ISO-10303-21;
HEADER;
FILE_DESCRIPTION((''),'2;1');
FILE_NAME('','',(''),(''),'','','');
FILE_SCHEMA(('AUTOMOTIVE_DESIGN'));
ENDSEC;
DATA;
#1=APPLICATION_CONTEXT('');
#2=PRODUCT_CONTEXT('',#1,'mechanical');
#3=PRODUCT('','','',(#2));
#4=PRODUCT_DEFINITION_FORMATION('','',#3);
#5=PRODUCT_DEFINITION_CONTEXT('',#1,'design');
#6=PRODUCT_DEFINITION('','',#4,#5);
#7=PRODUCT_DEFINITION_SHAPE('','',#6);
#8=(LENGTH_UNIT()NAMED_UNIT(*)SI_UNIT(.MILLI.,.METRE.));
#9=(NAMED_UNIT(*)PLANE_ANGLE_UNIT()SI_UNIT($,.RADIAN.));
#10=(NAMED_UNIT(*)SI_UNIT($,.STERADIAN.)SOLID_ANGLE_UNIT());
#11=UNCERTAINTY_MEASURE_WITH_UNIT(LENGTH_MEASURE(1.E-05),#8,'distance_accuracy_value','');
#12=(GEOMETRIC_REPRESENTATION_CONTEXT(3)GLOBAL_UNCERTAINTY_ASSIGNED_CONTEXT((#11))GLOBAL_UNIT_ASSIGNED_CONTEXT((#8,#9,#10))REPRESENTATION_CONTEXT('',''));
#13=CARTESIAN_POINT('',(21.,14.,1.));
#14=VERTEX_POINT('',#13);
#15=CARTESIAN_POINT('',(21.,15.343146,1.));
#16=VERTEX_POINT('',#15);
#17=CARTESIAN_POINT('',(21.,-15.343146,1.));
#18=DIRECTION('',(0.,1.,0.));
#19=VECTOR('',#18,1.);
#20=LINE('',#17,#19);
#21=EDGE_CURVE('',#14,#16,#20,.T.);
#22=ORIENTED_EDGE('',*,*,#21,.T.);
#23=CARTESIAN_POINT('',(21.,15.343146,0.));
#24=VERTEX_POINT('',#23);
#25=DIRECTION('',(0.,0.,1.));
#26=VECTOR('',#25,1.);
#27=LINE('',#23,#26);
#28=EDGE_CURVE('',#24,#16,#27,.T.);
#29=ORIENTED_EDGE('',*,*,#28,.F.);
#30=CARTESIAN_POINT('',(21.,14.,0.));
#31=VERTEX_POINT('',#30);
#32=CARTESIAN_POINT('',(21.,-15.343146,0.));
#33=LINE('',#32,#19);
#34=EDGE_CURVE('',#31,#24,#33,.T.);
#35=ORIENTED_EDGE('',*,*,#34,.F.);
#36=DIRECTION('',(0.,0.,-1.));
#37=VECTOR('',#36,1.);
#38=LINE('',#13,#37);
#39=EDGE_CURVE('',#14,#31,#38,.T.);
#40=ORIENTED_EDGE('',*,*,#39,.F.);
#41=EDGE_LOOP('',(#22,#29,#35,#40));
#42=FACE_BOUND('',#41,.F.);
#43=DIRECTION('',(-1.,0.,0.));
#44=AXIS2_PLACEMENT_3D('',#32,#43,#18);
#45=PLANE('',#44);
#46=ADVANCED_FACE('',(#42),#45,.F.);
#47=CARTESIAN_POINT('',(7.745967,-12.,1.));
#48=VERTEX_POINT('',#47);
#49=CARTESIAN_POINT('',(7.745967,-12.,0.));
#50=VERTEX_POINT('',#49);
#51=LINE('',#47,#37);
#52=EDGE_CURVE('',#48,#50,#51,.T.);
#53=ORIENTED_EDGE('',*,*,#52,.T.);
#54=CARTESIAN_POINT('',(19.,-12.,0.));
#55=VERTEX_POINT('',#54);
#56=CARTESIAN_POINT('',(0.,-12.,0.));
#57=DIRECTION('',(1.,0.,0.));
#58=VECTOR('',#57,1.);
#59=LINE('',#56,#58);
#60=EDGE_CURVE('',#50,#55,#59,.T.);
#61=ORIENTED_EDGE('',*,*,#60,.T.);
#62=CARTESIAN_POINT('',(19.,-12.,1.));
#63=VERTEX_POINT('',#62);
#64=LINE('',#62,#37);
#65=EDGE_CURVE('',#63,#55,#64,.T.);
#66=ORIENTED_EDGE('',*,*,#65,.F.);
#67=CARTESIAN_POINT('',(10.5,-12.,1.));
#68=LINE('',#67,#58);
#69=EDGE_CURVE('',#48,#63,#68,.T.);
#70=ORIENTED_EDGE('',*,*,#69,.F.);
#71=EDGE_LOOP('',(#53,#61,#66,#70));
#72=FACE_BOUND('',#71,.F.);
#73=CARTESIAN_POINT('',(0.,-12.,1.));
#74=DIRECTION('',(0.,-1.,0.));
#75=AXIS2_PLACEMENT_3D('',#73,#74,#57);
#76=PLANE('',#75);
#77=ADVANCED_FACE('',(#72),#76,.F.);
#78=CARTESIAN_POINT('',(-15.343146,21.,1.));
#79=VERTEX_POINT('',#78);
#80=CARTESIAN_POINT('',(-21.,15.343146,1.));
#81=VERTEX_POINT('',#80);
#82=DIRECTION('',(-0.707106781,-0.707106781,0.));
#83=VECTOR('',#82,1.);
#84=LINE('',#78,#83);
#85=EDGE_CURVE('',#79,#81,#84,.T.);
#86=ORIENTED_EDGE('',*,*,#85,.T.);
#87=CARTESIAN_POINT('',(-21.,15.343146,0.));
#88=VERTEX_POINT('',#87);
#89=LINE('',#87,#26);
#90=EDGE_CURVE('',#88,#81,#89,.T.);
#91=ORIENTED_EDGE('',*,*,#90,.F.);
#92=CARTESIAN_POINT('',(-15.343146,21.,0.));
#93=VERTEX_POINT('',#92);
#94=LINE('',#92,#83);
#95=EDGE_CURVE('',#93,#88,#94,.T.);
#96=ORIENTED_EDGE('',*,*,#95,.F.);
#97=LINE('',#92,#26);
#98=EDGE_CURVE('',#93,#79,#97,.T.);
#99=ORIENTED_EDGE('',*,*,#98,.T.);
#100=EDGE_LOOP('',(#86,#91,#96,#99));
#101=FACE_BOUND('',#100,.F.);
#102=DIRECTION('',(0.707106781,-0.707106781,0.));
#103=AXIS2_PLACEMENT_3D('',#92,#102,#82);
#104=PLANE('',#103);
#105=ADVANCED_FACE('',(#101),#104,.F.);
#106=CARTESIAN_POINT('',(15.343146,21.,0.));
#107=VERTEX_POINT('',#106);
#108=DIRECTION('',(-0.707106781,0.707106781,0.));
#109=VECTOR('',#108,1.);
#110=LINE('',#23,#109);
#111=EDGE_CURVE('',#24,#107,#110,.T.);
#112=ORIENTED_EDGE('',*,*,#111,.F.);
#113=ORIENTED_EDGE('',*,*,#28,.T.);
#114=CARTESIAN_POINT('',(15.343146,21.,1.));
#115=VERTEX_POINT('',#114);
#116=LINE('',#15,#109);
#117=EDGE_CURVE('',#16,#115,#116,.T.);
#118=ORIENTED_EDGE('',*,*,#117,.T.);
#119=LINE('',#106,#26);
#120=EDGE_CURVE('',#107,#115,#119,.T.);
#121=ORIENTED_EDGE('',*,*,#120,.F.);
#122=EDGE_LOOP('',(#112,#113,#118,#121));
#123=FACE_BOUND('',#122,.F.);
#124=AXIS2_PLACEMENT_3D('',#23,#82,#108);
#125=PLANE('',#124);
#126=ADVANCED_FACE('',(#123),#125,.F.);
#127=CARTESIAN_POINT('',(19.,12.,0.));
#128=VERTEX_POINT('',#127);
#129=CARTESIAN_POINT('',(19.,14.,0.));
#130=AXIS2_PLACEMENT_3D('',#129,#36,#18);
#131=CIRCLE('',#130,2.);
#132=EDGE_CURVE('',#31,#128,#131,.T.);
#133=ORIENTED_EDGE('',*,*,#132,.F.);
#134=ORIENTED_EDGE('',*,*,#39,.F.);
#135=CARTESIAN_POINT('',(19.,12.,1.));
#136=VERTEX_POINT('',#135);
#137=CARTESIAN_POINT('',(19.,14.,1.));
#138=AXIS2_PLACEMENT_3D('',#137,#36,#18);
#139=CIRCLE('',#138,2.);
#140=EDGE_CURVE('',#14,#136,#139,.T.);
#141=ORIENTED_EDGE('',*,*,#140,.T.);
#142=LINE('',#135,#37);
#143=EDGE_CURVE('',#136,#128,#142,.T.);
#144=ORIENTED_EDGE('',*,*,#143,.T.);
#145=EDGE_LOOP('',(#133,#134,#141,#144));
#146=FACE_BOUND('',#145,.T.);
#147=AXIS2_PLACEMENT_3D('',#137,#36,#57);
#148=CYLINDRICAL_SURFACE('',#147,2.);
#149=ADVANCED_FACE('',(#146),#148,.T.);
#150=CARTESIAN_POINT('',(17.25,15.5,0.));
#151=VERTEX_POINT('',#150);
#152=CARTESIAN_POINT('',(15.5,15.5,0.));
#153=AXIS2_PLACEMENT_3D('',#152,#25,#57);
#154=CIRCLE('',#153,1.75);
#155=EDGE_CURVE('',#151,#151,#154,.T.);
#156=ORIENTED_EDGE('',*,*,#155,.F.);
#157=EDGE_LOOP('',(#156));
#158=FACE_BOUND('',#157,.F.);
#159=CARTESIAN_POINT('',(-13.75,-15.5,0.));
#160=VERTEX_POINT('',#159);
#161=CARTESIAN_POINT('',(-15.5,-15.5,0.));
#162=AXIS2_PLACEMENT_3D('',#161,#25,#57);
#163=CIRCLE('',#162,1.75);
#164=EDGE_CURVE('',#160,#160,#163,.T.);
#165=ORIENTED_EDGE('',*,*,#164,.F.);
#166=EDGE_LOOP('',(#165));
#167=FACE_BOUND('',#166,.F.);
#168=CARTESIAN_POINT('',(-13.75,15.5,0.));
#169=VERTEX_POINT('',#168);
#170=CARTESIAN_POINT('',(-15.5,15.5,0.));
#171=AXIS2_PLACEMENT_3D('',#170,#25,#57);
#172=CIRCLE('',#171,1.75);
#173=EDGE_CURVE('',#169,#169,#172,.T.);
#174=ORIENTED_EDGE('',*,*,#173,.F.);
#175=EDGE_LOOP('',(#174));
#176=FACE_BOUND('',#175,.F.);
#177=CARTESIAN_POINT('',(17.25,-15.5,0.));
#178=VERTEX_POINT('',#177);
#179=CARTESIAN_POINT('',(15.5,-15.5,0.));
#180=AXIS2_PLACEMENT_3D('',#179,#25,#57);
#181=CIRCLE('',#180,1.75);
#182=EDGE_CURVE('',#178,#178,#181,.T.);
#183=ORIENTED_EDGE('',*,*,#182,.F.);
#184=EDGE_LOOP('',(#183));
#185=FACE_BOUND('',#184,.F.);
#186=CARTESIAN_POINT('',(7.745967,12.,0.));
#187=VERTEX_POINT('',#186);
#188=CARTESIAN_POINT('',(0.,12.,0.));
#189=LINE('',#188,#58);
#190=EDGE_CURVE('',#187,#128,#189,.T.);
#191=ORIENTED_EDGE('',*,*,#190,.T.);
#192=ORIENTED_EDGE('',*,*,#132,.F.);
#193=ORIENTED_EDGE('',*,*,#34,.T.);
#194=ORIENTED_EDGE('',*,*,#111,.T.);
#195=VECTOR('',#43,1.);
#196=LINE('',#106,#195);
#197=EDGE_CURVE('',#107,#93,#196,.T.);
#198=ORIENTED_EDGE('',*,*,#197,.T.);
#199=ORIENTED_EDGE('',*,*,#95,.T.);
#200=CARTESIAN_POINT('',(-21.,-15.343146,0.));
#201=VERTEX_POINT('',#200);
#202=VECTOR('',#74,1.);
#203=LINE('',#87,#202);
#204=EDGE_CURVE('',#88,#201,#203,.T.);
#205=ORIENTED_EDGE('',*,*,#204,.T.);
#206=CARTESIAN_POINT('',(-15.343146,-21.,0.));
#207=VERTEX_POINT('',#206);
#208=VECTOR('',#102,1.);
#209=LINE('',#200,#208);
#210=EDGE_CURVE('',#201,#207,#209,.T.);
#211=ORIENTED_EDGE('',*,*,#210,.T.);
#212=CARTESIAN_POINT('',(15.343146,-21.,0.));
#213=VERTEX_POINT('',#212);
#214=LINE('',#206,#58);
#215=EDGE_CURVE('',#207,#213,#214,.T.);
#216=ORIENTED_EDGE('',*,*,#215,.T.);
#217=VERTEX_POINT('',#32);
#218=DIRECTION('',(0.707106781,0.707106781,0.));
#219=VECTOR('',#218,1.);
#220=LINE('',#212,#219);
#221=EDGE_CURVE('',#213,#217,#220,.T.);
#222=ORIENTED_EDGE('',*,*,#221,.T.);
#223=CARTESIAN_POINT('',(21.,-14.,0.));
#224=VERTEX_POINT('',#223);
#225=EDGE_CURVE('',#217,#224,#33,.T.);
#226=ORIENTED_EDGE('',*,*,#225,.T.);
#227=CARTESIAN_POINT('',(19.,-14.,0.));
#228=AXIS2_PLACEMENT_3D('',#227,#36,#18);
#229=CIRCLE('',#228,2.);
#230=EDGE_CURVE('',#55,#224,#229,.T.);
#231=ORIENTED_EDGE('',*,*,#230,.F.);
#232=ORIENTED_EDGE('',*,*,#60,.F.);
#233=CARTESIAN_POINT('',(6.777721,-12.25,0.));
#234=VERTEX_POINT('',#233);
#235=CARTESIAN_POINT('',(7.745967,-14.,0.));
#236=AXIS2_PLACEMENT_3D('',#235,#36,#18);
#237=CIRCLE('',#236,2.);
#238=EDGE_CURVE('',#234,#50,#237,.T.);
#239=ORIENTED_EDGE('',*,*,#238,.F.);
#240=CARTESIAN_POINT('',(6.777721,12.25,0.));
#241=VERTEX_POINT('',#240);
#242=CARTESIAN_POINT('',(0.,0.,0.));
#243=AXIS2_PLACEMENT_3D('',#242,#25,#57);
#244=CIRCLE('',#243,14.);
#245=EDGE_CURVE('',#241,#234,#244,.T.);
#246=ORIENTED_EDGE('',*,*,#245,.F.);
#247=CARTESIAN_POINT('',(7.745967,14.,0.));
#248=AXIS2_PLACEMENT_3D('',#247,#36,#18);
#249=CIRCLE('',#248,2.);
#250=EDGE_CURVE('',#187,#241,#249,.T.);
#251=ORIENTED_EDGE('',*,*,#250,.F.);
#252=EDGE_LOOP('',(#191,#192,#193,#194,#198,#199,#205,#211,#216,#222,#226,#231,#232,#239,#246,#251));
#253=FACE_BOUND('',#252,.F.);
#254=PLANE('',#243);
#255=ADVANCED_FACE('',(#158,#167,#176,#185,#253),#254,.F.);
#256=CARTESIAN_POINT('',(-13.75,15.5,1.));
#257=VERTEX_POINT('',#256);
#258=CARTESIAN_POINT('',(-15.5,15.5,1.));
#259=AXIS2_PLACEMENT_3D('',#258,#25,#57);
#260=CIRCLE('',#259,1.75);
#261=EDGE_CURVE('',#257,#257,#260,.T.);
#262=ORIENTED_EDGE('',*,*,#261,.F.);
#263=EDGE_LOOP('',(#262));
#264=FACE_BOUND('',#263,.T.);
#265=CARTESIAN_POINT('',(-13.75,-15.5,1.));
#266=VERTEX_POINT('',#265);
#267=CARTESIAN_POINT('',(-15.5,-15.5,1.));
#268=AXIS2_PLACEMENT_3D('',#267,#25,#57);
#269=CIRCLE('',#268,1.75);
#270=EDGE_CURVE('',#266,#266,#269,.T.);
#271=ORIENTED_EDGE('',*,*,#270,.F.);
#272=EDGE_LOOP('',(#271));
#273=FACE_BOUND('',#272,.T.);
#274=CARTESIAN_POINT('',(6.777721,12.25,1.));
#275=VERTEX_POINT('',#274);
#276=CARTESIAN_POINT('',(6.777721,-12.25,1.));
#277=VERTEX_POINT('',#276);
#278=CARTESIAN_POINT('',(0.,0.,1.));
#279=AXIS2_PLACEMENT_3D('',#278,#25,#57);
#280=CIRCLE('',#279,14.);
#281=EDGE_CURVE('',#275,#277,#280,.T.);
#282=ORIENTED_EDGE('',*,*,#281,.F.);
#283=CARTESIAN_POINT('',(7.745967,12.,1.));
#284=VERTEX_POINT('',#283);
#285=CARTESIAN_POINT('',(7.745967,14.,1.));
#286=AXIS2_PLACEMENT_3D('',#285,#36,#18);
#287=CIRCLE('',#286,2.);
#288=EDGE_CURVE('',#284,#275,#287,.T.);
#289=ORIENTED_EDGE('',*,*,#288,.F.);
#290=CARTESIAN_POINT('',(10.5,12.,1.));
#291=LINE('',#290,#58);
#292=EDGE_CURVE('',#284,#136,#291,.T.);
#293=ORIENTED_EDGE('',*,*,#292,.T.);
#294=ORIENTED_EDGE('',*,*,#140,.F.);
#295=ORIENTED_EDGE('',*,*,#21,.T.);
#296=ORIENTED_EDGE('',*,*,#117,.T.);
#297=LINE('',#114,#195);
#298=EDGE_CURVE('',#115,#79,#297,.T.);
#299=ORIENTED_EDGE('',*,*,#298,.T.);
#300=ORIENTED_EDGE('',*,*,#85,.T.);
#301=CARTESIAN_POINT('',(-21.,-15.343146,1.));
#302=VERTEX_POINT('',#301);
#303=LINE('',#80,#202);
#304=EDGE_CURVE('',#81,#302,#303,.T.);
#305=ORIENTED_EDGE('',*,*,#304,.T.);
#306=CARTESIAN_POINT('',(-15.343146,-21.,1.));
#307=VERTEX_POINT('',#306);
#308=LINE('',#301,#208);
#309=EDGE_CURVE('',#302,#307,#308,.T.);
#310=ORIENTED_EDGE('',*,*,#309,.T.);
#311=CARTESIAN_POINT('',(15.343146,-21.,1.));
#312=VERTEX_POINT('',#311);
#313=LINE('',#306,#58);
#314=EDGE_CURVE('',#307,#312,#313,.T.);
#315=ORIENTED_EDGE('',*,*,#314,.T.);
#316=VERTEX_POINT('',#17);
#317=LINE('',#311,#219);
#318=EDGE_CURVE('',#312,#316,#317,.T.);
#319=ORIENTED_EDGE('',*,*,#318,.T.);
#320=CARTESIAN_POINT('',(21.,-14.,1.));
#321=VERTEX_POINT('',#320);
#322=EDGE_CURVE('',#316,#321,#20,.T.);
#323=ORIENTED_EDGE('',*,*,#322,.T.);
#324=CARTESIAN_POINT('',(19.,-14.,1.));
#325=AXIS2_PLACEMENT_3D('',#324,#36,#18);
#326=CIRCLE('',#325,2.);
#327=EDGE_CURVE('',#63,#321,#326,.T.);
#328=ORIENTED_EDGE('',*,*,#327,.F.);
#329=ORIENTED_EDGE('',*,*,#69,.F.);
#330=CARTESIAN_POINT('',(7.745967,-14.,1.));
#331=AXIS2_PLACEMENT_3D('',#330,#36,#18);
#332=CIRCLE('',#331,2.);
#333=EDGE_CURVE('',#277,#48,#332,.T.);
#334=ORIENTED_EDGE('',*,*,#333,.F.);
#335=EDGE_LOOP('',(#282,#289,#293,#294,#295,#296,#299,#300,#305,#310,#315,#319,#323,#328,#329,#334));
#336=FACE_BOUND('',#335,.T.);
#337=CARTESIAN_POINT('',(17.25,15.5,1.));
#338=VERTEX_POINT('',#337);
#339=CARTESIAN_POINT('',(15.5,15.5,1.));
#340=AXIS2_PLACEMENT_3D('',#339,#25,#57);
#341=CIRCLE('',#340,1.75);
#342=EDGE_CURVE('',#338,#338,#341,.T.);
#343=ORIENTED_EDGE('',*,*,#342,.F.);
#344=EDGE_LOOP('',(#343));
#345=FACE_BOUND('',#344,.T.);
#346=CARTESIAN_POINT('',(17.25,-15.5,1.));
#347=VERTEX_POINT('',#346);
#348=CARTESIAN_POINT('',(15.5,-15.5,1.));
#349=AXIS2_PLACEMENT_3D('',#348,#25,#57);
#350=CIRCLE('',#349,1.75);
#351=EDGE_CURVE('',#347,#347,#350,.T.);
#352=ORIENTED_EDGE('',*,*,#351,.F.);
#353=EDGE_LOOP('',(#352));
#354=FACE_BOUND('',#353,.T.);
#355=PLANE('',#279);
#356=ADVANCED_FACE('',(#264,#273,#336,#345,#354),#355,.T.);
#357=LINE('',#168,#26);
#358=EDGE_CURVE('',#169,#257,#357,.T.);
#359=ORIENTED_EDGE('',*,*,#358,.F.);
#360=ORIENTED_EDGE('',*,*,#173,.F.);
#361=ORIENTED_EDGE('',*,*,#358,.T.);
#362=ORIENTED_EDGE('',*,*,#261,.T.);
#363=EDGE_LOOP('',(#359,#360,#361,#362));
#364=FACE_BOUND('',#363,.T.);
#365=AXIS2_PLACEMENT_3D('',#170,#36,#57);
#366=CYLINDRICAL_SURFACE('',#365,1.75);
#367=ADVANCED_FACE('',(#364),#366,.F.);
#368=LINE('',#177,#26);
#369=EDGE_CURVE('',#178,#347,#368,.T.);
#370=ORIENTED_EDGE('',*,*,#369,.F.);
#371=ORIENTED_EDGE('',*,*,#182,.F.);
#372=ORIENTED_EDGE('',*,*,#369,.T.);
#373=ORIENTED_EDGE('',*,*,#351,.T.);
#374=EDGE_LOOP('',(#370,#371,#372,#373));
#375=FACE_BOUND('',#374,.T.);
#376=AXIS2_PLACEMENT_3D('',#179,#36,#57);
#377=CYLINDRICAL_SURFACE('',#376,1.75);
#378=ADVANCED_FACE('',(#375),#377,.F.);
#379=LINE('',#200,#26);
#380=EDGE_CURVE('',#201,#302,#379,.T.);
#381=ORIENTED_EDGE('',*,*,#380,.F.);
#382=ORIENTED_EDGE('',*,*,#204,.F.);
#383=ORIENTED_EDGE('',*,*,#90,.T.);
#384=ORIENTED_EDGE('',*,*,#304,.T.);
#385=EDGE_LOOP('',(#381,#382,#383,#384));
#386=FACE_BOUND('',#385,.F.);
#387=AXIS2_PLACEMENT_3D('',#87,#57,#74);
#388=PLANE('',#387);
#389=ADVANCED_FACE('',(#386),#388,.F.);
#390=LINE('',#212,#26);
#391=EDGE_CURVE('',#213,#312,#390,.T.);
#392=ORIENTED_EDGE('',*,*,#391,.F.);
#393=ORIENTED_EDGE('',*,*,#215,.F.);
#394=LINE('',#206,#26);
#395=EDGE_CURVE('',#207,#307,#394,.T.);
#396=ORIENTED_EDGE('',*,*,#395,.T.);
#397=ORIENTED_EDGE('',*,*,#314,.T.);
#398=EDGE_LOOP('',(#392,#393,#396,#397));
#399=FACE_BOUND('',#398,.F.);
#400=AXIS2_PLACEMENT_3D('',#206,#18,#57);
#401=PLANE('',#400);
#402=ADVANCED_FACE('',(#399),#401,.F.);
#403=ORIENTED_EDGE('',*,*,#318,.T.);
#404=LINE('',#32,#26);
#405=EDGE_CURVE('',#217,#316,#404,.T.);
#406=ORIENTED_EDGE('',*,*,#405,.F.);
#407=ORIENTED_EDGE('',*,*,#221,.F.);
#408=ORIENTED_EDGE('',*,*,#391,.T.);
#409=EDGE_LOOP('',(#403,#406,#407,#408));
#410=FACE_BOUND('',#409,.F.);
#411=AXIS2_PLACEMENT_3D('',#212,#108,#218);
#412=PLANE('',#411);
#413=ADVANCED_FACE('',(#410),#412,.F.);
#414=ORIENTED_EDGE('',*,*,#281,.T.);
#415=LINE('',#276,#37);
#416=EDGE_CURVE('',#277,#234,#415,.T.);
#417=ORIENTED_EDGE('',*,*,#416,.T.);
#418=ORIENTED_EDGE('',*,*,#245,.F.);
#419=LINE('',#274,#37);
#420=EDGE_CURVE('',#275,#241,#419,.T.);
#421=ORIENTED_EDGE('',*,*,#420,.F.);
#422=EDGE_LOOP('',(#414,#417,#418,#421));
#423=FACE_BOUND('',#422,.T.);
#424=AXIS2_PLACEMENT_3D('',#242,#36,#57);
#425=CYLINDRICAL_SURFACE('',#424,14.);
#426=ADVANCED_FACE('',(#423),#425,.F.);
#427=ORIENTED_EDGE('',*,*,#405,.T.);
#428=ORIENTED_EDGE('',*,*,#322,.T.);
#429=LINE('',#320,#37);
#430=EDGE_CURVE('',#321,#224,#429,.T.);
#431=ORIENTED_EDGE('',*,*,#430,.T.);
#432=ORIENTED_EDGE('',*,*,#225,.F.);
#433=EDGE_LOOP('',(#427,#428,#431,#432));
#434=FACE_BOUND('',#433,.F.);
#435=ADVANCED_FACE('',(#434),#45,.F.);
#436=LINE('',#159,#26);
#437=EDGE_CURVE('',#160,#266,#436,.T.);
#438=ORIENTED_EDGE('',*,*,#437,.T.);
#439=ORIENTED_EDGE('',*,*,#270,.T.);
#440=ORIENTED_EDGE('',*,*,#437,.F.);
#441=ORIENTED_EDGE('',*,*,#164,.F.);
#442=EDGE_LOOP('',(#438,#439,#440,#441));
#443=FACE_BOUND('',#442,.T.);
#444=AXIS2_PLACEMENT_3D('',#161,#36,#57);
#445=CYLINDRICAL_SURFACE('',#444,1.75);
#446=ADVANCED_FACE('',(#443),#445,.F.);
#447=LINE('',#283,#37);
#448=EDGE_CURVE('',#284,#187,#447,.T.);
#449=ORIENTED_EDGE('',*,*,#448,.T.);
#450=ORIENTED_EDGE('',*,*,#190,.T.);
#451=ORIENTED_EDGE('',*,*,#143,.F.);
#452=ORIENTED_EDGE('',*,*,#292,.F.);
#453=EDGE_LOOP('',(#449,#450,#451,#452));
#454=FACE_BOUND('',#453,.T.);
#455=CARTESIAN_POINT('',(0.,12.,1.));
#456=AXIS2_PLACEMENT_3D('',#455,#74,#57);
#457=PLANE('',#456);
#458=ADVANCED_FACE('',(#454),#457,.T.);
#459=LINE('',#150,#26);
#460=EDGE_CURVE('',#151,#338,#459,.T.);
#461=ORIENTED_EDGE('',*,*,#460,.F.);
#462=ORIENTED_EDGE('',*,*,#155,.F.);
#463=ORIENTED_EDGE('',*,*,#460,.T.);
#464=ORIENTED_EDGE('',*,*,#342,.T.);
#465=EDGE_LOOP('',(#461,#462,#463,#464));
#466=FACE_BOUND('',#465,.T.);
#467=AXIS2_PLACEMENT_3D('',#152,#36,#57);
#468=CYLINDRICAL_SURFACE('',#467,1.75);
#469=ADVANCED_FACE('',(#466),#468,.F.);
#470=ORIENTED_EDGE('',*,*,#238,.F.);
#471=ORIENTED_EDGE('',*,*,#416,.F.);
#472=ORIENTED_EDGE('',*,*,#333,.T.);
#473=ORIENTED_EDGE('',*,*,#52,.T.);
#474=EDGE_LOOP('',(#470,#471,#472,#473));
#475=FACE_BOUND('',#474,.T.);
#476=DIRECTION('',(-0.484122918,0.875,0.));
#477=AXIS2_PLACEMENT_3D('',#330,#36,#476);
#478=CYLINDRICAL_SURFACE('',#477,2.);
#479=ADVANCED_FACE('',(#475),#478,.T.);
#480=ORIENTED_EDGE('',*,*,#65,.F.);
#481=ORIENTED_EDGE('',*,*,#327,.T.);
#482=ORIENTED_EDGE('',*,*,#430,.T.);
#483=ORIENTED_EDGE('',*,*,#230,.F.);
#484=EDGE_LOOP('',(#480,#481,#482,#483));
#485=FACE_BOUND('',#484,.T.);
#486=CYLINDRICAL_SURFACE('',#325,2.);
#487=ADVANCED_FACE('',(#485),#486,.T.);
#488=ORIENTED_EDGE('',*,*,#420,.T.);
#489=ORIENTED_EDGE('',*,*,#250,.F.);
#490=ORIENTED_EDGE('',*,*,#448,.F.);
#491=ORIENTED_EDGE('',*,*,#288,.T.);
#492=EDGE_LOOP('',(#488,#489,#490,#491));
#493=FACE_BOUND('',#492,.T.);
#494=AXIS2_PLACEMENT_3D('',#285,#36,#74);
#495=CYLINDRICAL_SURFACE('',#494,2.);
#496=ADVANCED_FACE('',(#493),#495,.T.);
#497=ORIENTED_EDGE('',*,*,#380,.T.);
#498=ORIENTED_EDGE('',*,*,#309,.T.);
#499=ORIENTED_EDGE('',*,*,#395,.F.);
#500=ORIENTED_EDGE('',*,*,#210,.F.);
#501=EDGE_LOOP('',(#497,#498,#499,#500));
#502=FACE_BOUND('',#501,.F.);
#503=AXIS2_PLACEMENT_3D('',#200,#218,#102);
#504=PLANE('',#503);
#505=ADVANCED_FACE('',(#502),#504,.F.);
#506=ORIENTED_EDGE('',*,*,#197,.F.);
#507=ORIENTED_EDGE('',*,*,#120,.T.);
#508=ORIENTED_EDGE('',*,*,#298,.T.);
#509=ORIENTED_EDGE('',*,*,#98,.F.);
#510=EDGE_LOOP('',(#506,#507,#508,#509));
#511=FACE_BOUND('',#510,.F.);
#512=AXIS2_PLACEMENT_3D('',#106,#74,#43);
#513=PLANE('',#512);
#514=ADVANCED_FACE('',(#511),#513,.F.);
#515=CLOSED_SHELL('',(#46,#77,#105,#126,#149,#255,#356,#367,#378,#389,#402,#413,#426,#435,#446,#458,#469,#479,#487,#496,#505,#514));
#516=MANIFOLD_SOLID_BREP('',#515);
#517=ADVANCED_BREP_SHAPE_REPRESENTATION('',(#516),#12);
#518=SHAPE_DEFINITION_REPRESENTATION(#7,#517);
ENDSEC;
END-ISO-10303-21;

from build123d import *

# Parameters (mm, degrees)
F0_R     = 1.75
F0_R_2   = 14
F1_DEPTH = 1
F2_W     = 21
F2_H     = 24
F3_DEPTH = 1.001
F4_R     = 2


with BuildPart() as f1:
    # F0 (on Top) → F1 (new body)
    with BuildSketch(Plane.XY):
        Polygon((15.3431457505, 21), (-15.3431457505, 21), (-21, 15.3431457505), (-21, -15.3431457505), (-15.3431457505, -21), (15.3431457505, -21), (21, -15.3431457505), (21, 15.3431457505), align=None)
        with Locations((-15.5, -15.5)):
            Circle(F0_R, mode=Mode.SUBTRACT)
        with Locations((15.5, -15.5)):
            Circle(F0_R, mode=Mode.SUBTRACT)
        with Locations((-15.5, 15.5)):
            Circle(F0_R, mode=Mode.SUBTRACT)
        Circle(F0_R_2, mode=Mode.SUBTRACT)
        with Locations((15.5, 15.5)):
            Circle(F0_R, mode=Mode.SUBTRACT)
    extrude(amount=F1_DEPTH)

    # F2 (on face) → F3 (cut, through all)
    with BuildSketch(Plane.XY.offset(1)):
        with Locations((10.5, 0)):
            Rectangle(F2_W, F2_H)
    extrude(amount=-F3_DEPTH, mode=Mode.SUBTRACT)

    # F4
    f4_edges = [f1.edges().sort_by_distance(p)[0] for p in [
        (7.211103, 12, 0.5),
        (21, 12, 0.5),
        (21, -12, 0.5),
        (7.211103, -12, 0.5),
    ]]
    fillet(f4_edges, radius=F4_R)


solid = f1.part
